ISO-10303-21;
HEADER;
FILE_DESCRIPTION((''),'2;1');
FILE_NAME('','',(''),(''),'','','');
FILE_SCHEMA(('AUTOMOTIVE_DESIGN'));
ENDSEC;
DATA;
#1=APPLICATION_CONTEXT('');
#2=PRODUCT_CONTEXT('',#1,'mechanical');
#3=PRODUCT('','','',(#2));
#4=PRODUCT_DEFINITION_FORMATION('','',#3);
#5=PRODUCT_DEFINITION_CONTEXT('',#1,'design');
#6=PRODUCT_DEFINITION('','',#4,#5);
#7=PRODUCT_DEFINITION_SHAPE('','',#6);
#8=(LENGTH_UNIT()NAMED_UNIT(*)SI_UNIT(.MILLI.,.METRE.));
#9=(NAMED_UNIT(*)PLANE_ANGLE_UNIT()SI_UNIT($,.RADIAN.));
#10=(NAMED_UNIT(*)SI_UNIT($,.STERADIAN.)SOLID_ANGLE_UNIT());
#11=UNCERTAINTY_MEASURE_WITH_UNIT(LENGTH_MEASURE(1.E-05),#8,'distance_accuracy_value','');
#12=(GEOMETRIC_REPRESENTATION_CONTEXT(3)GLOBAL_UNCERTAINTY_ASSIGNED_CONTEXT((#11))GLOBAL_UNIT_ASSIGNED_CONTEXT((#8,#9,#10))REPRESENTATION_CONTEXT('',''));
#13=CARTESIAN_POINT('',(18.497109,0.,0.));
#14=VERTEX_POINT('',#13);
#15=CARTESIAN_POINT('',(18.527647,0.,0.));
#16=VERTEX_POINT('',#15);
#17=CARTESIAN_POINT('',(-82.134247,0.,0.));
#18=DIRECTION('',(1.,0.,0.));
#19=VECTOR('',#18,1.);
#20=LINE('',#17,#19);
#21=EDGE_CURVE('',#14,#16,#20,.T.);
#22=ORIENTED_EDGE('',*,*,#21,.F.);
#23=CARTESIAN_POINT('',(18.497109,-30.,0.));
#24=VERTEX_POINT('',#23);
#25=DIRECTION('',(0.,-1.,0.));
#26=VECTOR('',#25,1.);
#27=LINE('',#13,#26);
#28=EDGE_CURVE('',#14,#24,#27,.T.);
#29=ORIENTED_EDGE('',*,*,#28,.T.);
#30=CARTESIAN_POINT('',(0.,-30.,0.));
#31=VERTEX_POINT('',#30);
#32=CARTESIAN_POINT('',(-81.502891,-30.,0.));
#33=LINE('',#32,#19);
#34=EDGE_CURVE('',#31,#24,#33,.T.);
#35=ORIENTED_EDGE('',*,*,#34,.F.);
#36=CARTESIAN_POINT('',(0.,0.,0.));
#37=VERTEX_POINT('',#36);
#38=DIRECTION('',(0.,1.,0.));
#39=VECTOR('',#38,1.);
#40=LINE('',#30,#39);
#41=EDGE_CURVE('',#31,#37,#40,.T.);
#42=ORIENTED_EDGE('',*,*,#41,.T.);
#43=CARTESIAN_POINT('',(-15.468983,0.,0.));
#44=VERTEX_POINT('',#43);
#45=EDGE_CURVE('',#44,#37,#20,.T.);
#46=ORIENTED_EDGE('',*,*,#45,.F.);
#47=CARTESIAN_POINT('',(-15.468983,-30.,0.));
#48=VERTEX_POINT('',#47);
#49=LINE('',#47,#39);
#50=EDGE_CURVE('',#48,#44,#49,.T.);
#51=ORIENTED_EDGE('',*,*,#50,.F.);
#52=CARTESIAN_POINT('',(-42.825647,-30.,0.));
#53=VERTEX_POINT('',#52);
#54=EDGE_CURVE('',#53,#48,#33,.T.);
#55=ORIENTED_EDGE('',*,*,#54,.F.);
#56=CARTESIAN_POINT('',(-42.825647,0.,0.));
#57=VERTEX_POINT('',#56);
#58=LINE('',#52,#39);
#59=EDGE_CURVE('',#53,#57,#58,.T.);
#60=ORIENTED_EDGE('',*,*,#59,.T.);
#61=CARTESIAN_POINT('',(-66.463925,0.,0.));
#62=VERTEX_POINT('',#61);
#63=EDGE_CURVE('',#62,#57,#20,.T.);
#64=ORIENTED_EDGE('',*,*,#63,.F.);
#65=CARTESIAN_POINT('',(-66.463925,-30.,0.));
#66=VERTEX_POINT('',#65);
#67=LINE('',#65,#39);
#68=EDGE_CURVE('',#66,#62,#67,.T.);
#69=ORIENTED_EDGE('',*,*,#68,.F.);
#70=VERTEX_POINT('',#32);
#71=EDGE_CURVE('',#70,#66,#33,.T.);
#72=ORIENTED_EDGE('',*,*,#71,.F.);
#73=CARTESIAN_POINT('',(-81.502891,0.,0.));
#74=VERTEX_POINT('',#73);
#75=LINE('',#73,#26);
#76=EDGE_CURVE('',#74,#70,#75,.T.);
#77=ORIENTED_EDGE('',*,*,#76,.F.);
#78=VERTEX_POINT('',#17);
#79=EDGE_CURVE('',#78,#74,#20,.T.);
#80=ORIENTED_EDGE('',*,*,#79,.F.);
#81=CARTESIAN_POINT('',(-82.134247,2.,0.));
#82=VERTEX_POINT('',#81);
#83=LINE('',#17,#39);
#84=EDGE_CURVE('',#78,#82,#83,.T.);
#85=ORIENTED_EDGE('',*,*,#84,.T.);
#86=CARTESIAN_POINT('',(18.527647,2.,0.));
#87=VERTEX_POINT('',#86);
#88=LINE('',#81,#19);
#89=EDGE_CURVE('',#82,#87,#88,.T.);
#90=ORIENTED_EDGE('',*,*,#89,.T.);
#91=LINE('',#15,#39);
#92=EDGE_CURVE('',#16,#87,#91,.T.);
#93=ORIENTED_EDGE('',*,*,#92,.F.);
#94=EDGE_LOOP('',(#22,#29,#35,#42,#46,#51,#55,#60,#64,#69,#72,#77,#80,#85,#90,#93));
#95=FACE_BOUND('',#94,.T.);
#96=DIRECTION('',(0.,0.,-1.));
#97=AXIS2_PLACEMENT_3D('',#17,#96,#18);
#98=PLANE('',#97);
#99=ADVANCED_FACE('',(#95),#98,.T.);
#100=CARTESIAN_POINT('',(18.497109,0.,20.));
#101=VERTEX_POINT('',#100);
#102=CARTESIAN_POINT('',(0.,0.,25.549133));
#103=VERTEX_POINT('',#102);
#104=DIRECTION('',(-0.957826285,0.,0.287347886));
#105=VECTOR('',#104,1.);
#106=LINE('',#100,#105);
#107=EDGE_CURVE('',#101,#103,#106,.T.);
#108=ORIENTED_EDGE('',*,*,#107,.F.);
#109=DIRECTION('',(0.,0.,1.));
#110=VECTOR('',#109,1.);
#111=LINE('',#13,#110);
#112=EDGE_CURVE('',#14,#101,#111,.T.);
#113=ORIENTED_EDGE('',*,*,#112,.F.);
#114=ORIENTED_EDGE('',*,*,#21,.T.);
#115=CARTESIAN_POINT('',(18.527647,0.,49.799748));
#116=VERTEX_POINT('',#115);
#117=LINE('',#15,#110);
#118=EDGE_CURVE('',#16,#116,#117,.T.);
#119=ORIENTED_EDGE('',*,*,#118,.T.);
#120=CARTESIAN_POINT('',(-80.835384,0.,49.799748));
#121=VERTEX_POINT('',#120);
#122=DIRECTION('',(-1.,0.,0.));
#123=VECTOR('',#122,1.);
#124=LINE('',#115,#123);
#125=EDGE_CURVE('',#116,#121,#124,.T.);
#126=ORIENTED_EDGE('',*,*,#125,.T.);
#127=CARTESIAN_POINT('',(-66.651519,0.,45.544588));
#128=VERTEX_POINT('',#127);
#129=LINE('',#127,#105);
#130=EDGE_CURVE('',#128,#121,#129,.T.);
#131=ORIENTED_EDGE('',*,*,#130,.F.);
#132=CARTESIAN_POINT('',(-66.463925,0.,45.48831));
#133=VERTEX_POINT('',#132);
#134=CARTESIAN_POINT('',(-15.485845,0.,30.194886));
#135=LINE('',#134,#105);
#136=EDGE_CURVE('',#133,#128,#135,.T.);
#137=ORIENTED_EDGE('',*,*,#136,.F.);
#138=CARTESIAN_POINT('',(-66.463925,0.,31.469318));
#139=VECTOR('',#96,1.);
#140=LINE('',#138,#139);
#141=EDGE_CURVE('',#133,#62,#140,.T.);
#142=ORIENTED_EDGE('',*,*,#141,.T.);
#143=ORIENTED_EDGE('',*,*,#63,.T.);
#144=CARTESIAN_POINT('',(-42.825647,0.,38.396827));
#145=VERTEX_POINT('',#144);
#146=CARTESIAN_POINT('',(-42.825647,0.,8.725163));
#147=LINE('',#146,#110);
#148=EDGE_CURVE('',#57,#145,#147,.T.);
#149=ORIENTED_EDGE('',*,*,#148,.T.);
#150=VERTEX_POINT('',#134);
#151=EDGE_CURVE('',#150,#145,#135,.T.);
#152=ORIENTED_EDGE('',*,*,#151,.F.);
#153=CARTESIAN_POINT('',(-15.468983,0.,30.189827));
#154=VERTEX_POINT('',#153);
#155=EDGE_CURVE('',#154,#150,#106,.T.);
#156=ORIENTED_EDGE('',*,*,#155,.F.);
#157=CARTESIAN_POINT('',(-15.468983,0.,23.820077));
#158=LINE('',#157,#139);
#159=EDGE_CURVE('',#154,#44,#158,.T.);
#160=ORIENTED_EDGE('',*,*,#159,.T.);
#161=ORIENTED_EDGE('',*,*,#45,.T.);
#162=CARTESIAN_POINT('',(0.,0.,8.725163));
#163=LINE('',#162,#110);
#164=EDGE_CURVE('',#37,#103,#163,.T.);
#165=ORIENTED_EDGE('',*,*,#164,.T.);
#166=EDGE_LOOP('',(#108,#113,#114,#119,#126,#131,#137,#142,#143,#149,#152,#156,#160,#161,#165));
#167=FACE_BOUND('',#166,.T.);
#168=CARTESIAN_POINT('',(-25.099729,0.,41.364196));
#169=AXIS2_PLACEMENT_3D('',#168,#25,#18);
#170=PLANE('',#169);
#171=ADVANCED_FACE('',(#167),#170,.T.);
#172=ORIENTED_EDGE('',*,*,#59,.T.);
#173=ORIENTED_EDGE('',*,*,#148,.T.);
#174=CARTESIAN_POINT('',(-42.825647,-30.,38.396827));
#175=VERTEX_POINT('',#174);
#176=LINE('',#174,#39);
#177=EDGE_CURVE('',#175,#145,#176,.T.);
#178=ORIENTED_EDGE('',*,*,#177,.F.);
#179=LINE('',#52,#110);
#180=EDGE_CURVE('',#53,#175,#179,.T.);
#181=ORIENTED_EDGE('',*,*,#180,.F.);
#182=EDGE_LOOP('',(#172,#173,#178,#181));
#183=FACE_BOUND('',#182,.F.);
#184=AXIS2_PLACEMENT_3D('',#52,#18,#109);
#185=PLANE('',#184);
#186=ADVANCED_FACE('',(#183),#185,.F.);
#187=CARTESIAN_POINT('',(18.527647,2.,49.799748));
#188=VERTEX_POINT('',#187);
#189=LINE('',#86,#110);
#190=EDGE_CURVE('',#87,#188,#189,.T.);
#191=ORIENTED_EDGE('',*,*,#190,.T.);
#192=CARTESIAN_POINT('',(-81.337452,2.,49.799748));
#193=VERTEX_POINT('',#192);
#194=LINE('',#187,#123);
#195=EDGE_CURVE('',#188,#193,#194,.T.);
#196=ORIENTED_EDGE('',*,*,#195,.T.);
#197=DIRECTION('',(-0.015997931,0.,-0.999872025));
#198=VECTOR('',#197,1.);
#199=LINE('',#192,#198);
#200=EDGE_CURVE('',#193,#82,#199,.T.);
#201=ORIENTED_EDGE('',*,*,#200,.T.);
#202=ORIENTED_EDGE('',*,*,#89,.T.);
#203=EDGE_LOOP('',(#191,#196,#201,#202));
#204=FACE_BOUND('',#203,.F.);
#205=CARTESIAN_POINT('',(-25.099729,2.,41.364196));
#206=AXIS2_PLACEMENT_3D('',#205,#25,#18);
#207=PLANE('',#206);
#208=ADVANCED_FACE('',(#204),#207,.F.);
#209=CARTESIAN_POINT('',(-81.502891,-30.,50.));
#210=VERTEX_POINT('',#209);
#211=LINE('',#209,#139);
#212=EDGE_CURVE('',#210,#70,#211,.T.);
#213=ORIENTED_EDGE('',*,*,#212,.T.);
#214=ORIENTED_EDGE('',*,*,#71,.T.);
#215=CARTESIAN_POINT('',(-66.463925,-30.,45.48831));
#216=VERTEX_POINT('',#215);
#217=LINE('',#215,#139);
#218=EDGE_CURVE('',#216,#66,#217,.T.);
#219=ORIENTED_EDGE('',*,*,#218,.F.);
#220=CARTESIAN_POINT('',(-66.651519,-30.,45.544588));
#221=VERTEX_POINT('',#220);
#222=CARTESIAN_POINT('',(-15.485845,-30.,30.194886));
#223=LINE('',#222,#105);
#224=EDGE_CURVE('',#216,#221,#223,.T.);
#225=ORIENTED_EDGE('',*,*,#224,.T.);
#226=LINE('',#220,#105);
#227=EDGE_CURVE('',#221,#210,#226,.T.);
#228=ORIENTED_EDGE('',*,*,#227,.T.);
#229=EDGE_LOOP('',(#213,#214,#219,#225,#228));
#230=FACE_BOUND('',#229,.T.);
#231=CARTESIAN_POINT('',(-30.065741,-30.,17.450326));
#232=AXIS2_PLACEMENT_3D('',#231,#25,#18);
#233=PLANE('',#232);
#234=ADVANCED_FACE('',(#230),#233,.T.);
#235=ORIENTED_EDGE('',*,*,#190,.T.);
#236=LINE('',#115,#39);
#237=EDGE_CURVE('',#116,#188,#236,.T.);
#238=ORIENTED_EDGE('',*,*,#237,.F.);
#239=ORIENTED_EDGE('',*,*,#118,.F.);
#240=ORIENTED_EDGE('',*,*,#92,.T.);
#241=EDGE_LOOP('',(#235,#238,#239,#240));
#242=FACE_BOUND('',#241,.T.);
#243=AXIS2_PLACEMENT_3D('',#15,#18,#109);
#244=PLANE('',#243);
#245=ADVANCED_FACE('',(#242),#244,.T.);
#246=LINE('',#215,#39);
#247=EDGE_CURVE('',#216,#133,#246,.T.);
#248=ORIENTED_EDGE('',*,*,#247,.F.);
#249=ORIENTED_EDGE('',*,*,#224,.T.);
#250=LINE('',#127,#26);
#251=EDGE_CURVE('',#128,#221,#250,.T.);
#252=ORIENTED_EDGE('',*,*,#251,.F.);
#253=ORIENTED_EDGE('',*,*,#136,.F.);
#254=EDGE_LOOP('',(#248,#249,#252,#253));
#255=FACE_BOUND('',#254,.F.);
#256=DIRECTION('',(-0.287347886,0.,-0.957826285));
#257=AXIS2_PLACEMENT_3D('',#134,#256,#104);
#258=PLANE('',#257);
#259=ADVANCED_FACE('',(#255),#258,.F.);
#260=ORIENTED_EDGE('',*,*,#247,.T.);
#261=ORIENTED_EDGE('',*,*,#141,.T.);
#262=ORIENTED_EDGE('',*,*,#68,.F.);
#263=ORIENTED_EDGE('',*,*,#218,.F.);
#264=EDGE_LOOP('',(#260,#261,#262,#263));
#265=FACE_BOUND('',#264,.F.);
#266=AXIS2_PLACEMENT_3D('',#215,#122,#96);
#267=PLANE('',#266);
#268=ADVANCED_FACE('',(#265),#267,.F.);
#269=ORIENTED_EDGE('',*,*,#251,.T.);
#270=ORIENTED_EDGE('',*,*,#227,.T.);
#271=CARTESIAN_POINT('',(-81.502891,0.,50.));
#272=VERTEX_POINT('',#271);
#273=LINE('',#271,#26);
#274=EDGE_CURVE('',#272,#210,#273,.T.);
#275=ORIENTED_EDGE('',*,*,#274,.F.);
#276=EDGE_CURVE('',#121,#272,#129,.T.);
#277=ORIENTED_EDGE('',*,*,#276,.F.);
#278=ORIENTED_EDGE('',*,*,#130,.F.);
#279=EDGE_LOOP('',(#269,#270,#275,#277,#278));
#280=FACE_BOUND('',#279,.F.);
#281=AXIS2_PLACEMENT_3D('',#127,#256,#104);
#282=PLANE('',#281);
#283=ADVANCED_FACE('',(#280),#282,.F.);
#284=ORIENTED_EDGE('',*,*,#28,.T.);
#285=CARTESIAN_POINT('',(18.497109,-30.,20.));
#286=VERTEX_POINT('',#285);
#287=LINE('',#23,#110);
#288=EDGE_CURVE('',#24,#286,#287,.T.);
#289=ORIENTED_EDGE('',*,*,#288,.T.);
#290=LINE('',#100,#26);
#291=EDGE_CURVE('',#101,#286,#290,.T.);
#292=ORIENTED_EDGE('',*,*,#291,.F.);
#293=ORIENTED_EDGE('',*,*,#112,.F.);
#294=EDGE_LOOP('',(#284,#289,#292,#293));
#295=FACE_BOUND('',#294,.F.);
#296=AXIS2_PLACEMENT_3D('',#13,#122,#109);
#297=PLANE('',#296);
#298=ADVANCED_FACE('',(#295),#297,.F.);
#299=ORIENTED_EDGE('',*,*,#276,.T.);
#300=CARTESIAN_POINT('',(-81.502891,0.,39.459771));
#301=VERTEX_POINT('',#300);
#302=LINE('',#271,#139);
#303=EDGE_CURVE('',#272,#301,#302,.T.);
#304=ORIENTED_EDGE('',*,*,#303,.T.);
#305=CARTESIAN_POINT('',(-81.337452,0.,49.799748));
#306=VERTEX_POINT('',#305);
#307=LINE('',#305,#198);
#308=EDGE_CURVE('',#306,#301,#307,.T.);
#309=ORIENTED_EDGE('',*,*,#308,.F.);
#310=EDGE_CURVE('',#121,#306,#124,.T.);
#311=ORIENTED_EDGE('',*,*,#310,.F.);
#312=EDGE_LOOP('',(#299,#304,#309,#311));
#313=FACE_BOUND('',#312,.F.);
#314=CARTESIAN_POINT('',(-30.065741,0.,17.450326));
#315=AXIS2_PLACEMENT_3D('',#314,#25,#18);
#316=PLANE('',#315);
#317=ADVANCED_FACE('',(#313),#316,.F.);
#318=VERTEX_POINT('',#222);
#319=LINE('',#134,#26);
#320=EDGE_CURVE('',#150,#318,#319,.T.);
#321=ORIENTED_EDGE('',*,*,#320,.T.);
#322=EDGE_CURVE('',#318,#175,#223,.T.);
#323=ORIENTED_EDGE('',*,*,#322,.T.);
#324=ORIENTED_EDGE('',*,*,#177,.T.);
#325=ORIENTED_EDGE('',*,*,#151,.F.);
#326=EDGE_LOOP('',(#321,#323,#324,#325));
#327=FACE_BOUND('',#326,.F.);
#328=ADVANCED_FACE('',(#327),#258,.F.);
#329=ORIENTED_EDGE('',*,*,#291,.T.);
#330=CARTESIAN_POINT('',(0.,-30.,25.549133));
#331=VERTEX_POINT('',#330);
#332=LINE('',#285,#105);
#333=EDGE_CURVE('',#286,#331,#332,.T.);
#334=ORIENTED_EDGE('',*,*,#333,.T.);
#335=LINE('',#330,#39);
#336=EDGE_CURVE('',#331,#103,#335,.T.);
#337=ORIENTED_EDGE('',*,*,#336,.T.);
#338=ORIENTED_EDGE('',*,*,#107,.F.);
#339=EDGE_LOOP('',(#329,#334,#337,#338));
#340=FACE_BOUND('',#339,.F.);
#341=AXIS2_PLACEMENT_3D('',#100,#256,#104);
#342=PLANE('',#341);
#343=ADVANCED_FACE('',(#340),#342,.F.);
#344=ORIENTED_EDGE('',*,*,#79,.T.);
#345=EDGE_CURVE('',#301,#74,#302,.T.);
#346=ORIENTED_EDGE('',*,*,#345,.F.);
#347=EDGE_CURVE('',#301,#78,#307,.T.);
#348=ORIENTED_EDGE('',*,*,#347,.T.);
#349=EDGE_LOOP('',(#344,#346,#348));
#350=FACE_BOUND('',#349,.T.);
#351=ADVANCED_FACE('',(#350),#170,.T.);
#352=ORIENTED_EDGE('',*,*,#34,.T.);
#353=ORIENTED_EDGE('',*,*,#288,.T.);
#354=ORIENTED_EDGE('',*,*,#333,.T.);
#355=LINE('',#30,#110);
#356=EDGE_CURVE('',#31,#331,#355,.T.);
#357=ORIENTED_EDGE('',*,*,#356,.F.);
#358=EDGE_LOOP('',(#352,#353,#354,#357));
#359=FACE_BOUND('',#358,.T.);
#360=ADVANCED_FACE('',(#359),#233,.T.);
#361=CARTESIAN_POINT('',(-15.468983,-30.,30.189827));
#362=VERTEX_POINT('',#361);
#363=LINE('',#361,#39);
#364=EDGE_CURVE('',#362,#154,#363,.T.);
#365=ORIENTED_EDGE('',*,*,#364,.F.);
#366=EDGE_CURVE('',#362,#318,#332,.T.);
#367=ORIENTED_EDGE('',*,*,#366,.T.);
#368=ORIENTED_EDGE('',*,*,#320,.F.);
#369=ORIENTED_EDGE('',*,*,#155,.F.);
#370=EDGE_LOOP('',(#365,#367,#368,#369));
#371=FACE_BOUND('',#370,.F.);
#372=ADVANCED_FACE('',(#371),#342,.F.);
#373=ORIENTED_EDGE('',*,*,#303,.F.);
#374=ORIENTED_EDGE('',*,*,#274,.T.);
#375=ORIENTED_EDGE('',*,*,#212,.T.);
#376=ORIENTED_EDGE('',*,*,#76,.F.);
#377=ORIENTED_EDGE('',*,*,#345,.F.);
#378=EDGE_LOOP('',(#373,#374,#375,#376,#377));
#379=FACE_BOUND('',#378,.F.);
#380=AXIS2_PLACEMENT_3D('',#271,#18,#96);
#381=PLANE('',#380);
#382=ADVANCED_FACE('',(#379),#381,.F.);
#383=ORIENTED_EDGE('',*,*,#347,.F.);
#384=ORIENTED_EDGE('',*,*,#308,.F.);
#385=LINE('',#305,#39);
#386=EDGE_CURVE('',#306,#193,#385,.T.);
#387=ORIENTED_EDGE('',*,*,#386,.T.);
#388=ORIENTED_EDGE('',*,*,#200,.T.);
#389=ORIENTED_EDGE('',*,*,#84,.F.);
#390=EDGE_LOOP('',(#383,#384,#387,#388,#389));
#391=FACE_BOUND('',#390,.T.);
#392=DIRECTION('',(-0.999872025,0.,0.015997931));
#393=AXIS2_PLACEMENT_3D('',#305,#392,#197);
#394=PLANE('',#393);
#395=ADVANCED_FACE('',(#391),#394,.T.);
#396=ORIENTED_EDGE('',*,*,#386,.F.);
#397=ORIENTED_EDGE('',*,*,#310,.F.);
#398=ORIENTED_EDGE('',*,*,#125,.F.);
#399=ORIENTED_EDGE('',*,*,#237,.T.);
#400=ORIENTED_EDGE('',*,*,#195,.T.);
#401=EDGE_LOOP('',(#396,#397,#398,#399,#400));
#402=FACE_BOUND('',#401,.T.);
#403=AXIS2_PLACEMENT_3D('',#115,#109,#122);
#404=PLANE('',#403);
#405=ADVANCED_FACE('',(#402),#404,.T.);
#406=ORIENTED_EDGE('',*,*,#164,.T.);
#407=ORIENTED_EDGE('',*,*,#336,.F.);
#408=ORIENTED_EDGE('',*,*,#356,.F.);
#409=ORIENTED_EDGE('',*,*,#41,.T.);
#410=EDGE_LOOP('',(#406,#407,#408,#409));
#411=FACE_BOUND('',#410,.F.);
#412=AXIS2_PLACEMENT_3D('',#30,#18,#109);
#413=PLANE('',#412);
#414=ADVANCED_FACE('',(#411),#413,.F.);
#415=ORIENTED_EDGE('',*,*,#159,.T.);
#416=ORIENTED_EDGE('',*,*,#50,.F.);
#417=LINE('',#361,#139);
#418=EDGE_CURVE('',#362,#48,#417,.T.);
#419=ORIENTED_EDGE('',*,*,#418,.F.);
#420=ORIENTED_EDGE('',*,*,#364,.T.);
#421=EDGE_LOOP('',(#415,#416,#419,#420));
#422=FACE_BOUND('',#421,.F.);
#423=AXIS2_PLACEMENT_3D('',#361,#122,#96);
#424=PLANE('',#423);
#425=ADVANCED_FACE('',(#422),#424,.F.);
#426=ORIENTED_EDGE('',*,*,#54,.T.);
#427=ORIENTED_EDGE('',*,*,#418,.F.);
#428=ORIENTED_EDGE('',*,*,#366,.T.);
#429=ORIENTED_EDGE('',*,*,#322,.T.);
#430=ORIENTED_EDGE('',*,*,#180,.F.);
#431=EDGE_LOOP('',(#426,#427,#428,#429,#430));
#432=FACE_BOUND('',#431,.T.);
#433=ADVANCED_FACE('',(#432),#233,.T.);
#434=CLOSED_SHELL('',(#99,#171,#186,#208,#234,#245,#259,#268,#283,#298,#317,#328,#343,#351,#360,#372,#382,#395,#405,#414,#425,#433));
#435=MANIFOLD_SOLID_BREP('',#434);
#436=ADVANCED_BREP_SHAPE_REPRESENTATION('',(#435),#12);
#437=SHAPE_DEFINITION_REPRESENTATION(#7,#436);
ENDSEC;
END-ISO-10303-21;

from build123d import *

# Parameters (mm, degrees)
F1_DEPTH = 30
F3_DEPTH = 30.001
F5_DEPTH = 2


with BuildPart() as f1:
    # F0 (on Front) → F1 (new body)
    with BuildSketch(Plane.XZ):
        Polygon((-42.8425073624, 38.4018848052), (-42.8425073624, 0), (-15.4858445749, 0), (-15.4858445749, 30.194885969), align=None)
        Polygon((-66.6515186782, 45.5445881999), (-66.6515186782, 0), (-42.8425073624, 0), (-42.8425073624, 38.4018848052), align=None)
        Polygon((-81.502891345, 50), (-81.502891345, 0), (-66.6515186782, 0), (-66.6515186782, 45.5445881999), align=None)
        Polygon((-15.4858445749, 30.194885969), (-15.4858445749, 0), (18.497108655, 0), (18.497108655, 20), align=None)
    extrude(amount=F1_DEPTH)

    # F2 (on face) → F3 (cut, through all)
    with BuildSketch(Plane.XZ.offset(30)):
        Polygon((-66.4639249444, 45.4883100798), (-66.4639249444, 0), (-42.8256466985, 0), (-42.8256466985, 38.396826606), align=None)
        Polygon((-15.4689829797, 30.1898274904), (-15.4689829797, 0), (0, 0), (0, 25.5491325965), align=None)
    extrude(amount=-F3_DEPTH, mode=Mode.SUBTRACT)

    # F4 (on Front) → F5 (join)
    with BuildSketch(Plane.XZ):
        Polygon((18.5276474804, 49.7997477651), (-81.3374519348, 49.7997477651), (18.5276474804, 20.3182976693), align=None)
        Polygon((-81.3374519348, 0), (-81.3374519348, 49.7997477651), (-82.1342468262, 0), align=None)
        Polygon((18.5276474804, 20.3182976693), (-81.3374519348, 49.7997477651), (-81.3374519348, 0), (0, 0), (18.5276474804, 0), align=None)
    extrude(amount=-F5_DEPTH)


solid = f1.part
